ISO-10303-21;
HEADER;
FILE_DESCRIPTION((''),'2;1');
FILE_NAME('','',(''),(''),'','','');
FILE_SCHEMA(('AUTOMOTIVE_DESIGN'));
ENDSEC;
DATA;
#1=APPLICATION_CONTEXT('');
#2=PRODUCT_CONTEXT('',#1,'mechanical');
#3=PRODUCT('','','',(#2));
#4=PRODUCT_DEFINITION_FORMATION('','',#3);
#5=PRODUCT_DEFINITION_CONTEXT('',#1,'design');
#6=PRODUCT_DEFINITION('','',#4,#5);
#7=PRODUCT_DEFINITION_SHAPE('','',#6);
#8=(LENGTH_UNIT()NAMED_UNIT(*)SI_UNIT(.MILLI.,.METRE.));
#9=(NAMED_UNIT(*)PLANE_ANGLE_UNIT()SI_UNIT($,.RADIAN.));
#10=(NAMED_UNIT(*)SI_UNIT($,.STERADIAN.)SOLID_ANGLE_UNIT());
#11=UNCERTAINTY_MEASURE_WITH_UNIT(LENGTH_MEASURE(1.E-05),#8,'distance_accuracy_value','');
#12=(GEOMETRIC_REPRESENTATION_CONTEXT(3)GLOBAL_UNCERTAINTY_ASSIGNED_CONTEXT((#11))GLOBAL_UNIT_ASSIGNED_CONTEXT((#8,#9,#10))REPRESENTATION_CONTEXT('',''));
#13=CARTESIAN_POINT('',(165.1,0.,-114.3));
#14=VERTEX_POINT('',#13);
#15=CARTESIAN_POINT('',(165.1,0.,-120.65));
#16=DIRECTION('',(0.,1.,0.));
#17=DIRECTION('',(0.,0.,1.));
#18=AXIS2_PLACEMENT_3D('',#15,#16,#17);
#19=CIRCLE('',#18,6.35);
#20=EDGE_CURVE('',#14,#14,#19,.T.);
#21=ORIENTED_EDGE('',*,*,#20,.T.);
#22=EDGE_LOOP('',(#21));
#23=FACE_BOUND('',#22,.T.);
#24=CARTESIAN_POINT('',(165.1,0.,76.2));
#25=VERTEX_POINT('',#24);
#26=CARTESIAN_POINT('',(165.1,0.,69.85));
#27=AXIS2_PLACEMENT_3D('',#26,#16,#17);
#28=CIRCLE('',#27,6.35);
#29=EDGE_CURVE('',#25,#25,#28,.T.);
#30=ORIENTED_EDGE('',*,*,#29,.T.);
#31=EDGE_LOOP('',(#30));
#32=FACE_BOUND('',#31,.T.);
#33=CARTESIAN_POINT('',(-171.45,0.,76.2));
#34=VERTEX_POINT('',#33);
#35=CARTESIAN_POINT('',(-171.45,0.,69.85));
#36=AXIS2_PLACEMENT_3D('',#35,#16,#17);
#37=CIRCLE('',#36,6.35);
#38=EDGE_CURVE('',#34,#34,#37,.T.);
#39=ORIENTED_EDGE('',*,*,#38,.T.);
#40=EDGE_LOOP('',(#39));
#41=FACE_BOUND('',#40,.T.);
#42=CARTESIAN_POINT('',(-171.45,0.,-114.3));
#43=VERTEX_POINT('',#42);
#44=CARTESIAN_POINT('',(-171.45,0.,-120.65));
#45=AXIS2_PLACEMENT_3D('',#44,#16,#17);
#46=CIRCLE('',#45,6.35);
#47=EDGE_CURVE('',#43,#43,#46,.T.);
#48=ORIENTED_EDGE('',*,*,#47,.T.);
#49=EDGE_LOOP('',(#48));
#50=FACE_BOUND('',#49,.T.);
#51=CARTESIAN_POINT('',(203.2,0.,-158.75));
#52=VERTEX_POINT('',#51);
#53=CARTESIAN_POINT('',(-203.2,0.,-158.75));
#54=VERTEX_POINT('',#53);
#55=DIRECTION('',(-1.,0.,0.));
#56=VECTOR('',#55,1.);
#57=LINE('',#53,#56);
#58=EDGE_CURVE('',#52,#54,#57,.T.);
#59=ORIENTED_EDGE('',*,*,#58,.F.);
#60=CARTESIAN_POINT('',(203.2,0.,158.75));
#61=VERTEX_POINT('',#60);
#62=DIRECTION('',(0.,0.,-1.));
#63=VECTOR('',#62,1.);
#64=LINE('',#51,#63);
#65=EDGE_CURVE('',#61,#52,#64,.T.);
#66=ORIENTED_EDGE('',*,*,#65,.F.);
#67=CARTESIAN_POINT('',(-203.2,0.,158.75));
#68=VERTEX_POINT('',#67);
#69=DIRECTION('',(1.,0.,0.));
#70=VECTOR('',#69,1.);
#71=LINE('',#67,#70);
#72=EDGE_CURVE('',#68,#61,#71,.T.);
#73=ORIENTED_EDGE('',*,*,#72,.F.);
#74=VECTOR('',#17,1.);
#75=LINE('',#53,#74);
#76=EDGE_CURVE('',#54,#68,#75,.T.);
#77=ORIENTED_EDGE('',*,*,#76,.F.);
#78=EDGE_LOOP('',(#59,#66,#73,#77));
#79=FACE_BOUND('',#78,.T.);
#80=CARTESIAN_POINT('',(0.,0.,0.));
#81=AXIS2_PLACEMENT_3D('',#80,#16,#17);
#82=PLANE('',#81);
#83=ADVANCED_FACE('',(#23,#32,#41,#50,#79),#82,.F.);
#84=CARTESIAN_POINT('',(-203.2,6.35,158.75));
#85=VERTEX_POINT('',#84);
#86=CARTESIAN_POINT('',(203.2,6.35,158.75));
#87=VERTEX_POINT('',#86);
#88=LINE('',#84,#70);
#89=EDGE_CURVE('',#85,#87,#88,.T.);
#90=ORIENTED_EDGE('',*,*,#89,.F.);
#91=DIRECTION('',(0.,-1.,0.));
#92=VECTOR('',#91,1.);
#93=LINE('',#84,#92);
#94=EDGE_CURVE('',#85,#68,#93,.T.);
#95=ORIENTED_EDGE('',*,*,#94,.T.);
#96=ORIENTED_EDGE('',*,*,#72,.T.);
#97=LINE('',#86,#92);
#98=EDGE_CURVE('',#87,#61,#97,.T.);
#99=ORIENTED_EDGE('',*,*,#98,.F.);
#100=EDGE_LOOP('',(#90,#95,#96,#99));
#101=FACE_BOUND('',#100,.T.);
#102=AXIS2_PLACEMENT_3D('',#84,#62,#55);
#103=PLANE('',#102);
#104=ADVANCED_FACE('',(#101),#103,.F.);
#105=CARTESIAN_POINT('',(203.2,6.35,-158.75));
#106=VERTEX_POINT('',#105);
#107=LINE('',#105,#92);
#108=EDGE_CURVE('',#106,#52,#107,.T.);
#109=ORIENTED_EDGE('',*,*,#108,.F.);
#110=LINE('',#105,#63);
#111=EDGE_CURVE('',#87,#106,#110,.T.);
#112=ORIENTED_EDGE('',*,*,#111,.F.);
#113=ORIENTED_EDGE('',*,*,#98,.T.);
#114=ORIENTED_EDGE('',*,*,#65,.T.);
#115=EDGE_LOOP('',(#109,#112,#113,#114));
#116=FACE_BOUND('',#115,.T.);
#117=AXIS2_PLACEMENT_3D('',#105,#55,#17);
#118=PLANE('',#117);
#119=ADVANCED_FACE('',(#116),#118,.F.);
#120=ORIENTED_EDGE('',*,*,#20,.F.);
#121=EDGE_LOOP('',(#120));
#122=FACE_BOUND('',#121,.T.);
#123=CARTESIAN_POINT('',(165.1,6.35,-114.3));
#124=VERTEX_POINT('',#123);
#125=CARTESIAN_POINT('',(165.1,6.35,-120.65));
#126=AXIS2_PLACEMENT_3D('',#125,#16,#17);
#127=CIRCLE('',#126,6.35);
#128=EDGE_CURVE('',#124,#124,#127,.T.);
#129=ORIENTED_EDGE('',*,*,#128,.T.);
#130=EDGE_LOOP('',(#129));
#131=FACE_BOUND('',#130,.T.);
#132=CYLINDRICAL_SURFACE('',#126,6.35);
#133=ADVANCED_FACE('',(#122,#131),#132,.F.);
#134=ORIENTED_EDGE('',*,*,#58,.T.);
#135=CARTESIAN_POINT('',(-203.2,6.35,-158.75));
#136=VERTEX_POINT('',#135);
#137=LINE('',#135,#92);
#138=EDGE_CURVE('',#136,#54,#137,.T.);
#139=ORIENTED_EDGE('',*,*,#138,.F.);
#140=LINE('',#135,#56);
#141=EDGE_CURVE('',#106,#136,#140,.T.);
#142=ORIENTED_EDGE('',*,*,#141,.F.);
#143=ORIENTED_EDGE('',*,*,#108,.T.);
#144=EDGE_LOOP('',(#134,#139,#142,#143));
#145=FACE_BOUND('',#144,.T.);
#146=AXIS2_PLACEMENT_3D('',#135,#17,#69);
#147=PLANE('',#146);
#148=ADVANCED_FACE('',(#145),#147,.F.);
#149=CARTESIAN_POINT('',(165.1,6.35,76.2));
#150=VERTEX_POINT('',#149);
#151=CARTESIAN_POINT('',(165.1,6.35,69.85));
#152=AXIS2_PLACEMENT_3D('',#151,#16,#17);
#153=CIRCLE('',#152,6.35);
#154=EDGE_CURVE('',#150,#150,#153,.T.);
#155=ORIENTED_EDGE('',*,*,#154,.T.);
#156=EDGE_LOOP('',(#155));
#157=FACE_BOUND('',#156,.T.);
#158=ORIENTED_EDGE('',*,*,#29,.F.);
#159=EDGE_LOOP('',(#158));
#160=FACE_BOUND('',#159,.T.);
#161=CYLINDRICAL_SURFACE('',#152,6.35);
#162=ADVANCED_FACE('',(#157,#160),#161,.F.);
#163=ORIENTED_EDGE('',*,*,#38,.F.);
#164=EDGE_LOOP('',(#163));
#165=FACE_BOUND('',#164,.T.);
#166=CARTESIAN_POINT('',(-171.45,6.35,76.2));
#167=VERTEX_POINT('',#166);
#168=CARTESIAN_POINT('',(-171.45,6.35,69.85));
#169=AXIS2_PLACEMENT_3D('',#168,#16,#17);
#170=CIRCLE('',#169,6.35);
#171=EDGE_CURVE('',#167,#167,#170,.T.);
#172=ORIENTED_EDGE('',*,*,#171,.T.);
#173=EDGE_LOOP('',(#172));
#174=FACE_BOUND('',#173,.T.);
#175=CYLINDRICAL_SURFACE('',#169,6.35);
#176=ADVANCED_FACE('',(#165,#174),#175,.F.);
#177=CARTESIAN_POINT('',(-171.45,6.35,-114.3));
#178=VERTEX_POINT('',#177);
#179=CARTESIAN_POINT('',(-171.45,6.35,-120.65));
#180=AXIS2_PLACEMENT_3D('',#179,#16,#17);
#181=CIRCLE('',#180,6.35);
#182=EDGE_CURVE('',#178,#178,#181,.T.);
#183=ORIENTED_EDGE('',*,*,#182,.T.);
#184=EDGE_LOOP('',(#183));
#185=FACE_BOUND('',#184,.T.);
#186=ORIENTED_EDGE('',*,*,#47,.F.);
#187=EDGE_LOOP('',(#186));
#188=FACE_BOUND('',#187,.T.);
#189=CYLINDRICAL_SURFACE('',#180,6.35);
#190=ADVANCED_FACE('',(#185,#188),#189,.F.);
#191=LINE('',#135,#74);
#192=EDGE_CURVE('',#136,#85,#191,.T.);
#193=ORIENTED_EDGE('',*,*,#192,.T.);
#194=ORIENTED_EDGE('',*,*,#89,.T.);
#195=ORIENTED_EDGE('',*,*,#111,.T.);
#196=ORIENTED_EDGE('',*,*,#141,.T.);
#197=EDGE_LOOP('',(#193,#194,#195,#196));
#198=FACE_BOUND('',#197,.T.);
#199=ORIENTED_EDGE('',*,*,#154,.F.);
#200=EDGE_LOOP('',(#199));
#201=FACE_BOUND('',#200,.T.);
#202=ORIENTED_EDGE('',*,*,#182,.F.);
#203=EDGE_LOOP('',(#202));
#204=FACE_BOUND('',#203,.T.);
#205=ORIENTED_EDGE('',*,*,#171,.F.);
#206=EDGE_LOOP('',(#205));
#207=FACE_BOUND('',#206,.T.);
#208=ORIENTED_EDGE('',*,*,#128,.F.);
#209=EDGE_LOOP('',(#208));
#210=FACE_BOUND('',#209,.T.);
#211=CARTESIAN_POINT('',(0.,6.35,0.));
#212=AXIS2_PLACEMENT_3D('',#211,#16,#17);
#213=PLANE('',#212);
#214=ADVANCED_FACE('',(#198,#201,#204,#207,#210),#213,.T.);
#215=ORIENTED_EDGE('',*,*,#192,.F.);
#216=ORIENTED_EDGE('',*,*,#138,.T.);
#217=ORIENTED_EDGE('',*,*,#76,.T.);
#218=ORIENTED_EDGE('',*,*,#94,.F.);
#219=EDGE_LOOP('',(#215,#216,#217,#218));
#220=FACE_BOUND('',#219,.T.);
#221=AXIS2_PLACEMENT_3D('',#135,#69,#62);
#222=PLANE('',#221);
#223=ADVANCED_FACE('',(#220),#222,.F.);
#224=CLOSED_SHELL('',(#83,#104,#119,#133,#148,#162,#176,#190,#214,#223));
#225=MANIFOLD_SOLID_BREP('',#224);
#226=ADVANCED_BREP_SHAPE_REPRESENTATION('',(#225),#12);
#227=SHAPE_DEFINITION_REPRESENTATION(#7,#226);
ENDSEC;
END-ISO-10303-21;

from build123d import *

# Parameters (mm, degrees)
SKETCH1_W                      = 406.4
SKETCH1_H                      = 317.5
BOSS_EXTRUDE1_DEPTH            = 6.35
F_1_2_0_5_DIAMETER_HOLE1_D     = 12.7
F_1_2_0_5_DIAMETER_HOLE1_DEPTH = 12.7
F_1_2_0_5_DIAMETER_HOLE1_TIP   = 3.815464931


with BuildPart() as part:
    # Sketch1 → Boss-Extrude1 (new body)
    with BuildSketch(Plane(origin=(0, 0, 0), x_dir=(1, 0, 0), z_dir=(0, 1, 0))):
        Rectangle(SKETCH1_W, SKETCH1_H)
    extrude(amount=BOSS_EXTRUDE1_DEPTH)

    # 1/2 (0.5) Diameter Hole1
    with Locations(Plane(origin=(0, 6.35, 0), x_dir=(1, 0, 0), z_dir=(0, 1, 0))):
        with Locations((-171.45, 120.65), (165.1, 120.65), (165.1, -69.85), (-171.45, -69.85)):
            Hole(F_1_2_0_5_DIAMETER_HOLE1_D / 2, depth=F_1_2_0_5_DIAMETER_HOLE1_DEPTH)
            with Locations((0, 0, -(F_1_2_0_5_DIAMETER_HOLE1_DEPTH + F_1_2_0_5_DIAMETER_HOLE1_TIP / 2))):  # 118° drill point
                Cone(0, F_1_2_0_5_DIAMETER_HOLE1_D / 2, F_1_2_0_5_DIAMETER_HOLE1_TIP, mode=Mode.SUBTRACT)


solid = part.part
